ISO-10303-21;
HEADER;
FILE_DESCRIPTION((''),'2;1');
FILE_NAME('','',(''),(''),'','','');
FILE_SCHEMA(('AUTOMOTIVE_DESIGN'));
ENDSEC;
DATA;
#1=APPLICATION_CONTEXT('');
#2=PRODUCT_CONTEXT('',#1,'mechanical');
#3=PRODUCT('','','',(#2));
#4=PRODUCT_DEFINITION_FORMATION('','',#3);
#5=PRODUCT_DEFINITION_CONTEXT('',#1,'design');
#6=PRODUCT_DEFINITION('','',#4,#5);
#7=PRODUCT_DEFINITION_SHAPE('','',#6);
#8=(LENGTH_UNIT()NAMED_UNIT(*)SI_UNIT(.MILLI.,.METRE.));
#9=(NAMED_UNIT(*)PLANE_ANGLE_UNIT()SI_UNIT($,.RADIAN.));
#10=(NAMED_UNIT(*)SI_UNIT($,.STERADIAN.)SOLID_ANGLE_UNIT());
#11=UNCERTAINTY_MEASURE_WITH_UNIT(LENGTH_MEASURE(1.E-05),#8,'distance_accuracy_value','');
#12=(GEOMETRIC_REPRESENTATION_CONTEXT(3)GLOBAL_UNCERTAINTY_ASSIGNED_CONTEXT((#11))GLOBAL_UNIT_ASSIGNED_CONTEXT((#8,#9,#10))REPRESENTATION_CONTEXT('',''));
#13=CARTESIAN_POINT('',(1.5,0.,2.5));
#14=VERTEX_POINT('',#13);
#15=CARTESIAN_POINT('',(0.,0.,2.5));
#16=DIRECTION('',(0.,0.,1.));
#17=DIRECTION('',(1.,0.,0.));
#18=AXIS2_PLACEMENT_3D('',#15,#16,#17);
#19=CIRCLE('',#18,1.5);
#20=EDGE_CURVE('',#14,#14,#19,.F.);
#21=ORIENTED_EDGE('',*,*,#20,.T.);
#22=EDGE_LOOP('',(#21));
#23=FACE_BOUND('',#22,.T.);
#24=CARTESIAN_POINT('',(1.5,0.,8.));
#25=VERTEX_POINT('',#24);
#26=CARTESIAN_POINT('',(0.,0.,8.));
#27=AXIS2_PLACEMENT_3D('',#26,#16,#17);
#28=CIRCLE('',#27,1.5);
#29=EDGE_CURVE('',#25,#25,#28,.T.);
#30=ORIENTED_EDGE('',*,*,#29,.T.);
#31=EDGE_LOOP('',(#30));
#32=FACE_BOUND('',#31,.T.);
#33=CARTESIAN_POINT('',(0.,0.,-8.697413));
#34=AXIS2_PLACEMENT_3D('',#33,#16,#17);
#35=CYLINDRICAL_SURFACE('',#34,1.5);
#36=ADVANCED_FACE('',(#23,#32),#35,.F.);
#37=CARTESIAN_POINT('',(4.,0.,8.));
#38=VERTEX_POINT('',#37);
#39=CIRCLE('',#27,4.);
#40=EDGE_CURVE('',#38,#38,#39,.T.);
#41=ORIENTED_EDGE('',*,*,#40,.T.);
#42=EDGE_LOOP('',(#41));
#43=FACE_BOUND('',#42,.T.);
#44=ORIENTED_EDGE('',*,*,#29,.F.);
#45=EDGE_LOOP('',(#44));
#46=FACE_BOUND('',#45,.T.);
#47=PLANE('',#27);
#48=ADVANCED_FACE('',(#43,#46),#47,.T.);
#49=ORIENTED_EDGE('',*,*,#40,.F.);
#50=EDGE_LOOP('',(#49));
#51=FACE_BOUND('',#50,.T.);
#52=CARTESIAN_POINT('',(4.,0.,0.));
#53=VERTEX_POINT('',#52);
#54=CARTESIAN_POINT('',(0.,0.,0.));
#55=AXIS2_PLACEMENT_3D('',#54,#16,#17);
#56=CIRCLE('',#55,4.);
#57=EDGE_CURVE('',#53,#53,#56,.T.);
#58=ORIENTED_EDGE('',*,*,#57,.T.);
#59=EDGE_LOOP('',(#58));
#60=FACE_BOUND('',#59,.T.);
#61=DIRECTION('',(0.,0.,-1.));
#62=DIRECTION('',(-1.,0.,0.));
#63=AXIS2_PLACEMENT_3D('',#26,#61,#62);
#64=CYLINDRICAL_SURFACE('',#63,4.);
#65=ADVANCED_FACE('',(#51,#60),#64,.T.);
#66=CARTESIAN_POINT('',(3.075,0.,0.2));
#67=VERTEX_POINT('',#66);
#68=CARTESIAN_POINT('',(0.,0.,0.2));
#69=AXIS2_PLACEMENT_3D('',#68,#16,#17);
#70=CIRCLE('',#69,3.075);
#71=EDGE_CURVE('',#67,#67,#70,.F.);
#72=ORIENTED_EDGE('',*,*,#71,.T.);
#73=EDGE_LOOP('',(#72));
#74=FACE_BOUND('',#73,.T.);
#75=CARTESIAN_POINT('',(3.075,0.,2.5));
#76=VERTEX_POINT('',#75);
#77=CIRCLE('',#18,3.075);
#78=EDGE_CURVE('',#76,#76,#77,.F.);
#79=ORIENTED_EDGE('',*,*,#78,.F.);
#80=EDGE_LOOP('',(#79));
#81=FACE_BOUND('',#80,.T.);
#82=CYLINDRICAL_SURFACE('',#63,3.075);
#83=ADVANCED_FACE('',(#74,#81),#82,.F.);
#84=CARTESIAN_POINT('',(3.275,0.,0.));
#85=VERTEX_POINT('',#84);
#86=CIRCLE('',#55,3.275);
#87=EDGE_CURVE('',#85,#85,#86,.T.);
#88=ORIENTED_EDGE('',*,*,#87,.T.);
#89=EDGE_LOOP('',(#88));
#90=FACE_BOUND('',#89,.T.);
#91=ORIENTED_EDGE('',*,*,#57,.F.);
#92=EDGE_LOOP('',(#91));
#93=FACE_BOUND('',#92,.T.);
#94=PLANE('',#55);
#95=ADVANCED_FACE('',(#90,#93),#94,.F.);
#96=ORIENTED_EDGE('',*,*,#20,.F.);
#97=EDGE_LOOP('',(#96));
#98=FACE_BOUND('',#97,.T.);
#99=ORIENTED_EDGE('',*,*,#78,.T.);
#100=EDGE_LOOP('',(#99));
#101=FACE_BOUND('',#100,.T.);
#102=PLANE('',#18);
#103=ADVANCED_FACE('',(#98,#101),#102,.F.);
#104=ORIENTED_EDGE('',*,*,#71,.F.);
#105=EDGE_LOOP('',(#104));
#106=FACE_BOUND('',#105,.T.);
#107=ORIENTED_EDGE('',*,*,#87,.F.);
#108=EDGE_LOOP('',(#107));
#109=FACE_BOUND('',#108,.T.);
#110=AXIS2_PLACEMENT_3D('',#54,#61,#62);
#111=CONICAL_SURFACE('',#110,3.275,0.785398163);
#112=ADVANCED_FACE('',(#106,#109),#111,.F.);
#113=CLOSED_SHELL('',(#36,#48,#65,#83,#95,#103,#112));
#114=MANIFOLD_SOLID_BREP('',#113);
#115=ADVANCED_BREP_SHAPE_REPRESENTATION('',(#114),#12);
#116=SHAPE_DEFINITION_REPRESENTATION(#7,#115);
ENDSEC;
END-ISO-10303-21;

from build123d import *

# Parameters (mm, degrees)
SKETCH1_R           = 4
SKETCH1_R_2         = 3.075
BOSS_EXTRUDE1_DEPTH = 8
BOSS_EXTRUDE2_START = -5.5
SKETCH2_R           = 3.075
SKETCH2_R_2         = 1.5
BOSS_EXTRUDE2_DEPTH = 5.5
CHAMFER1_SIZE       = 0.2


with BuildPart() as part:
    # Sketch1 → Boss-Extrude1 (new body)
    with BuildSketch(Plane.XY):
        Circle(SKETCH1_R)
        Circle(SKETCH1_R_2, mode=Mode.SUBTRACT)
    extrude(amount=BOSS_EXTRUDE1_DEPTH)

    # Sketch2 → Boss-Extrude2 (add)
    with BuildSketch(Plane.XY.offset(8).offset(BOSS_EXTRUDE2_START)):
        Circle(SKETCH2_R)
        Circle(SKETCH2_R_2, mode=Mode.SUBTRACT)
    extrude(amount=BOSS_EXTRUDE2_DEPTH)

    # Chamfer1
    chamfer1_edges = [part.edges().sort_by_distance(p)[0] for p in [
        (-3.075, 0, 0),
    ]]
    chamfer(chamfer1_edges, length=CHAMFER1_SIZE)


solid = part.part
